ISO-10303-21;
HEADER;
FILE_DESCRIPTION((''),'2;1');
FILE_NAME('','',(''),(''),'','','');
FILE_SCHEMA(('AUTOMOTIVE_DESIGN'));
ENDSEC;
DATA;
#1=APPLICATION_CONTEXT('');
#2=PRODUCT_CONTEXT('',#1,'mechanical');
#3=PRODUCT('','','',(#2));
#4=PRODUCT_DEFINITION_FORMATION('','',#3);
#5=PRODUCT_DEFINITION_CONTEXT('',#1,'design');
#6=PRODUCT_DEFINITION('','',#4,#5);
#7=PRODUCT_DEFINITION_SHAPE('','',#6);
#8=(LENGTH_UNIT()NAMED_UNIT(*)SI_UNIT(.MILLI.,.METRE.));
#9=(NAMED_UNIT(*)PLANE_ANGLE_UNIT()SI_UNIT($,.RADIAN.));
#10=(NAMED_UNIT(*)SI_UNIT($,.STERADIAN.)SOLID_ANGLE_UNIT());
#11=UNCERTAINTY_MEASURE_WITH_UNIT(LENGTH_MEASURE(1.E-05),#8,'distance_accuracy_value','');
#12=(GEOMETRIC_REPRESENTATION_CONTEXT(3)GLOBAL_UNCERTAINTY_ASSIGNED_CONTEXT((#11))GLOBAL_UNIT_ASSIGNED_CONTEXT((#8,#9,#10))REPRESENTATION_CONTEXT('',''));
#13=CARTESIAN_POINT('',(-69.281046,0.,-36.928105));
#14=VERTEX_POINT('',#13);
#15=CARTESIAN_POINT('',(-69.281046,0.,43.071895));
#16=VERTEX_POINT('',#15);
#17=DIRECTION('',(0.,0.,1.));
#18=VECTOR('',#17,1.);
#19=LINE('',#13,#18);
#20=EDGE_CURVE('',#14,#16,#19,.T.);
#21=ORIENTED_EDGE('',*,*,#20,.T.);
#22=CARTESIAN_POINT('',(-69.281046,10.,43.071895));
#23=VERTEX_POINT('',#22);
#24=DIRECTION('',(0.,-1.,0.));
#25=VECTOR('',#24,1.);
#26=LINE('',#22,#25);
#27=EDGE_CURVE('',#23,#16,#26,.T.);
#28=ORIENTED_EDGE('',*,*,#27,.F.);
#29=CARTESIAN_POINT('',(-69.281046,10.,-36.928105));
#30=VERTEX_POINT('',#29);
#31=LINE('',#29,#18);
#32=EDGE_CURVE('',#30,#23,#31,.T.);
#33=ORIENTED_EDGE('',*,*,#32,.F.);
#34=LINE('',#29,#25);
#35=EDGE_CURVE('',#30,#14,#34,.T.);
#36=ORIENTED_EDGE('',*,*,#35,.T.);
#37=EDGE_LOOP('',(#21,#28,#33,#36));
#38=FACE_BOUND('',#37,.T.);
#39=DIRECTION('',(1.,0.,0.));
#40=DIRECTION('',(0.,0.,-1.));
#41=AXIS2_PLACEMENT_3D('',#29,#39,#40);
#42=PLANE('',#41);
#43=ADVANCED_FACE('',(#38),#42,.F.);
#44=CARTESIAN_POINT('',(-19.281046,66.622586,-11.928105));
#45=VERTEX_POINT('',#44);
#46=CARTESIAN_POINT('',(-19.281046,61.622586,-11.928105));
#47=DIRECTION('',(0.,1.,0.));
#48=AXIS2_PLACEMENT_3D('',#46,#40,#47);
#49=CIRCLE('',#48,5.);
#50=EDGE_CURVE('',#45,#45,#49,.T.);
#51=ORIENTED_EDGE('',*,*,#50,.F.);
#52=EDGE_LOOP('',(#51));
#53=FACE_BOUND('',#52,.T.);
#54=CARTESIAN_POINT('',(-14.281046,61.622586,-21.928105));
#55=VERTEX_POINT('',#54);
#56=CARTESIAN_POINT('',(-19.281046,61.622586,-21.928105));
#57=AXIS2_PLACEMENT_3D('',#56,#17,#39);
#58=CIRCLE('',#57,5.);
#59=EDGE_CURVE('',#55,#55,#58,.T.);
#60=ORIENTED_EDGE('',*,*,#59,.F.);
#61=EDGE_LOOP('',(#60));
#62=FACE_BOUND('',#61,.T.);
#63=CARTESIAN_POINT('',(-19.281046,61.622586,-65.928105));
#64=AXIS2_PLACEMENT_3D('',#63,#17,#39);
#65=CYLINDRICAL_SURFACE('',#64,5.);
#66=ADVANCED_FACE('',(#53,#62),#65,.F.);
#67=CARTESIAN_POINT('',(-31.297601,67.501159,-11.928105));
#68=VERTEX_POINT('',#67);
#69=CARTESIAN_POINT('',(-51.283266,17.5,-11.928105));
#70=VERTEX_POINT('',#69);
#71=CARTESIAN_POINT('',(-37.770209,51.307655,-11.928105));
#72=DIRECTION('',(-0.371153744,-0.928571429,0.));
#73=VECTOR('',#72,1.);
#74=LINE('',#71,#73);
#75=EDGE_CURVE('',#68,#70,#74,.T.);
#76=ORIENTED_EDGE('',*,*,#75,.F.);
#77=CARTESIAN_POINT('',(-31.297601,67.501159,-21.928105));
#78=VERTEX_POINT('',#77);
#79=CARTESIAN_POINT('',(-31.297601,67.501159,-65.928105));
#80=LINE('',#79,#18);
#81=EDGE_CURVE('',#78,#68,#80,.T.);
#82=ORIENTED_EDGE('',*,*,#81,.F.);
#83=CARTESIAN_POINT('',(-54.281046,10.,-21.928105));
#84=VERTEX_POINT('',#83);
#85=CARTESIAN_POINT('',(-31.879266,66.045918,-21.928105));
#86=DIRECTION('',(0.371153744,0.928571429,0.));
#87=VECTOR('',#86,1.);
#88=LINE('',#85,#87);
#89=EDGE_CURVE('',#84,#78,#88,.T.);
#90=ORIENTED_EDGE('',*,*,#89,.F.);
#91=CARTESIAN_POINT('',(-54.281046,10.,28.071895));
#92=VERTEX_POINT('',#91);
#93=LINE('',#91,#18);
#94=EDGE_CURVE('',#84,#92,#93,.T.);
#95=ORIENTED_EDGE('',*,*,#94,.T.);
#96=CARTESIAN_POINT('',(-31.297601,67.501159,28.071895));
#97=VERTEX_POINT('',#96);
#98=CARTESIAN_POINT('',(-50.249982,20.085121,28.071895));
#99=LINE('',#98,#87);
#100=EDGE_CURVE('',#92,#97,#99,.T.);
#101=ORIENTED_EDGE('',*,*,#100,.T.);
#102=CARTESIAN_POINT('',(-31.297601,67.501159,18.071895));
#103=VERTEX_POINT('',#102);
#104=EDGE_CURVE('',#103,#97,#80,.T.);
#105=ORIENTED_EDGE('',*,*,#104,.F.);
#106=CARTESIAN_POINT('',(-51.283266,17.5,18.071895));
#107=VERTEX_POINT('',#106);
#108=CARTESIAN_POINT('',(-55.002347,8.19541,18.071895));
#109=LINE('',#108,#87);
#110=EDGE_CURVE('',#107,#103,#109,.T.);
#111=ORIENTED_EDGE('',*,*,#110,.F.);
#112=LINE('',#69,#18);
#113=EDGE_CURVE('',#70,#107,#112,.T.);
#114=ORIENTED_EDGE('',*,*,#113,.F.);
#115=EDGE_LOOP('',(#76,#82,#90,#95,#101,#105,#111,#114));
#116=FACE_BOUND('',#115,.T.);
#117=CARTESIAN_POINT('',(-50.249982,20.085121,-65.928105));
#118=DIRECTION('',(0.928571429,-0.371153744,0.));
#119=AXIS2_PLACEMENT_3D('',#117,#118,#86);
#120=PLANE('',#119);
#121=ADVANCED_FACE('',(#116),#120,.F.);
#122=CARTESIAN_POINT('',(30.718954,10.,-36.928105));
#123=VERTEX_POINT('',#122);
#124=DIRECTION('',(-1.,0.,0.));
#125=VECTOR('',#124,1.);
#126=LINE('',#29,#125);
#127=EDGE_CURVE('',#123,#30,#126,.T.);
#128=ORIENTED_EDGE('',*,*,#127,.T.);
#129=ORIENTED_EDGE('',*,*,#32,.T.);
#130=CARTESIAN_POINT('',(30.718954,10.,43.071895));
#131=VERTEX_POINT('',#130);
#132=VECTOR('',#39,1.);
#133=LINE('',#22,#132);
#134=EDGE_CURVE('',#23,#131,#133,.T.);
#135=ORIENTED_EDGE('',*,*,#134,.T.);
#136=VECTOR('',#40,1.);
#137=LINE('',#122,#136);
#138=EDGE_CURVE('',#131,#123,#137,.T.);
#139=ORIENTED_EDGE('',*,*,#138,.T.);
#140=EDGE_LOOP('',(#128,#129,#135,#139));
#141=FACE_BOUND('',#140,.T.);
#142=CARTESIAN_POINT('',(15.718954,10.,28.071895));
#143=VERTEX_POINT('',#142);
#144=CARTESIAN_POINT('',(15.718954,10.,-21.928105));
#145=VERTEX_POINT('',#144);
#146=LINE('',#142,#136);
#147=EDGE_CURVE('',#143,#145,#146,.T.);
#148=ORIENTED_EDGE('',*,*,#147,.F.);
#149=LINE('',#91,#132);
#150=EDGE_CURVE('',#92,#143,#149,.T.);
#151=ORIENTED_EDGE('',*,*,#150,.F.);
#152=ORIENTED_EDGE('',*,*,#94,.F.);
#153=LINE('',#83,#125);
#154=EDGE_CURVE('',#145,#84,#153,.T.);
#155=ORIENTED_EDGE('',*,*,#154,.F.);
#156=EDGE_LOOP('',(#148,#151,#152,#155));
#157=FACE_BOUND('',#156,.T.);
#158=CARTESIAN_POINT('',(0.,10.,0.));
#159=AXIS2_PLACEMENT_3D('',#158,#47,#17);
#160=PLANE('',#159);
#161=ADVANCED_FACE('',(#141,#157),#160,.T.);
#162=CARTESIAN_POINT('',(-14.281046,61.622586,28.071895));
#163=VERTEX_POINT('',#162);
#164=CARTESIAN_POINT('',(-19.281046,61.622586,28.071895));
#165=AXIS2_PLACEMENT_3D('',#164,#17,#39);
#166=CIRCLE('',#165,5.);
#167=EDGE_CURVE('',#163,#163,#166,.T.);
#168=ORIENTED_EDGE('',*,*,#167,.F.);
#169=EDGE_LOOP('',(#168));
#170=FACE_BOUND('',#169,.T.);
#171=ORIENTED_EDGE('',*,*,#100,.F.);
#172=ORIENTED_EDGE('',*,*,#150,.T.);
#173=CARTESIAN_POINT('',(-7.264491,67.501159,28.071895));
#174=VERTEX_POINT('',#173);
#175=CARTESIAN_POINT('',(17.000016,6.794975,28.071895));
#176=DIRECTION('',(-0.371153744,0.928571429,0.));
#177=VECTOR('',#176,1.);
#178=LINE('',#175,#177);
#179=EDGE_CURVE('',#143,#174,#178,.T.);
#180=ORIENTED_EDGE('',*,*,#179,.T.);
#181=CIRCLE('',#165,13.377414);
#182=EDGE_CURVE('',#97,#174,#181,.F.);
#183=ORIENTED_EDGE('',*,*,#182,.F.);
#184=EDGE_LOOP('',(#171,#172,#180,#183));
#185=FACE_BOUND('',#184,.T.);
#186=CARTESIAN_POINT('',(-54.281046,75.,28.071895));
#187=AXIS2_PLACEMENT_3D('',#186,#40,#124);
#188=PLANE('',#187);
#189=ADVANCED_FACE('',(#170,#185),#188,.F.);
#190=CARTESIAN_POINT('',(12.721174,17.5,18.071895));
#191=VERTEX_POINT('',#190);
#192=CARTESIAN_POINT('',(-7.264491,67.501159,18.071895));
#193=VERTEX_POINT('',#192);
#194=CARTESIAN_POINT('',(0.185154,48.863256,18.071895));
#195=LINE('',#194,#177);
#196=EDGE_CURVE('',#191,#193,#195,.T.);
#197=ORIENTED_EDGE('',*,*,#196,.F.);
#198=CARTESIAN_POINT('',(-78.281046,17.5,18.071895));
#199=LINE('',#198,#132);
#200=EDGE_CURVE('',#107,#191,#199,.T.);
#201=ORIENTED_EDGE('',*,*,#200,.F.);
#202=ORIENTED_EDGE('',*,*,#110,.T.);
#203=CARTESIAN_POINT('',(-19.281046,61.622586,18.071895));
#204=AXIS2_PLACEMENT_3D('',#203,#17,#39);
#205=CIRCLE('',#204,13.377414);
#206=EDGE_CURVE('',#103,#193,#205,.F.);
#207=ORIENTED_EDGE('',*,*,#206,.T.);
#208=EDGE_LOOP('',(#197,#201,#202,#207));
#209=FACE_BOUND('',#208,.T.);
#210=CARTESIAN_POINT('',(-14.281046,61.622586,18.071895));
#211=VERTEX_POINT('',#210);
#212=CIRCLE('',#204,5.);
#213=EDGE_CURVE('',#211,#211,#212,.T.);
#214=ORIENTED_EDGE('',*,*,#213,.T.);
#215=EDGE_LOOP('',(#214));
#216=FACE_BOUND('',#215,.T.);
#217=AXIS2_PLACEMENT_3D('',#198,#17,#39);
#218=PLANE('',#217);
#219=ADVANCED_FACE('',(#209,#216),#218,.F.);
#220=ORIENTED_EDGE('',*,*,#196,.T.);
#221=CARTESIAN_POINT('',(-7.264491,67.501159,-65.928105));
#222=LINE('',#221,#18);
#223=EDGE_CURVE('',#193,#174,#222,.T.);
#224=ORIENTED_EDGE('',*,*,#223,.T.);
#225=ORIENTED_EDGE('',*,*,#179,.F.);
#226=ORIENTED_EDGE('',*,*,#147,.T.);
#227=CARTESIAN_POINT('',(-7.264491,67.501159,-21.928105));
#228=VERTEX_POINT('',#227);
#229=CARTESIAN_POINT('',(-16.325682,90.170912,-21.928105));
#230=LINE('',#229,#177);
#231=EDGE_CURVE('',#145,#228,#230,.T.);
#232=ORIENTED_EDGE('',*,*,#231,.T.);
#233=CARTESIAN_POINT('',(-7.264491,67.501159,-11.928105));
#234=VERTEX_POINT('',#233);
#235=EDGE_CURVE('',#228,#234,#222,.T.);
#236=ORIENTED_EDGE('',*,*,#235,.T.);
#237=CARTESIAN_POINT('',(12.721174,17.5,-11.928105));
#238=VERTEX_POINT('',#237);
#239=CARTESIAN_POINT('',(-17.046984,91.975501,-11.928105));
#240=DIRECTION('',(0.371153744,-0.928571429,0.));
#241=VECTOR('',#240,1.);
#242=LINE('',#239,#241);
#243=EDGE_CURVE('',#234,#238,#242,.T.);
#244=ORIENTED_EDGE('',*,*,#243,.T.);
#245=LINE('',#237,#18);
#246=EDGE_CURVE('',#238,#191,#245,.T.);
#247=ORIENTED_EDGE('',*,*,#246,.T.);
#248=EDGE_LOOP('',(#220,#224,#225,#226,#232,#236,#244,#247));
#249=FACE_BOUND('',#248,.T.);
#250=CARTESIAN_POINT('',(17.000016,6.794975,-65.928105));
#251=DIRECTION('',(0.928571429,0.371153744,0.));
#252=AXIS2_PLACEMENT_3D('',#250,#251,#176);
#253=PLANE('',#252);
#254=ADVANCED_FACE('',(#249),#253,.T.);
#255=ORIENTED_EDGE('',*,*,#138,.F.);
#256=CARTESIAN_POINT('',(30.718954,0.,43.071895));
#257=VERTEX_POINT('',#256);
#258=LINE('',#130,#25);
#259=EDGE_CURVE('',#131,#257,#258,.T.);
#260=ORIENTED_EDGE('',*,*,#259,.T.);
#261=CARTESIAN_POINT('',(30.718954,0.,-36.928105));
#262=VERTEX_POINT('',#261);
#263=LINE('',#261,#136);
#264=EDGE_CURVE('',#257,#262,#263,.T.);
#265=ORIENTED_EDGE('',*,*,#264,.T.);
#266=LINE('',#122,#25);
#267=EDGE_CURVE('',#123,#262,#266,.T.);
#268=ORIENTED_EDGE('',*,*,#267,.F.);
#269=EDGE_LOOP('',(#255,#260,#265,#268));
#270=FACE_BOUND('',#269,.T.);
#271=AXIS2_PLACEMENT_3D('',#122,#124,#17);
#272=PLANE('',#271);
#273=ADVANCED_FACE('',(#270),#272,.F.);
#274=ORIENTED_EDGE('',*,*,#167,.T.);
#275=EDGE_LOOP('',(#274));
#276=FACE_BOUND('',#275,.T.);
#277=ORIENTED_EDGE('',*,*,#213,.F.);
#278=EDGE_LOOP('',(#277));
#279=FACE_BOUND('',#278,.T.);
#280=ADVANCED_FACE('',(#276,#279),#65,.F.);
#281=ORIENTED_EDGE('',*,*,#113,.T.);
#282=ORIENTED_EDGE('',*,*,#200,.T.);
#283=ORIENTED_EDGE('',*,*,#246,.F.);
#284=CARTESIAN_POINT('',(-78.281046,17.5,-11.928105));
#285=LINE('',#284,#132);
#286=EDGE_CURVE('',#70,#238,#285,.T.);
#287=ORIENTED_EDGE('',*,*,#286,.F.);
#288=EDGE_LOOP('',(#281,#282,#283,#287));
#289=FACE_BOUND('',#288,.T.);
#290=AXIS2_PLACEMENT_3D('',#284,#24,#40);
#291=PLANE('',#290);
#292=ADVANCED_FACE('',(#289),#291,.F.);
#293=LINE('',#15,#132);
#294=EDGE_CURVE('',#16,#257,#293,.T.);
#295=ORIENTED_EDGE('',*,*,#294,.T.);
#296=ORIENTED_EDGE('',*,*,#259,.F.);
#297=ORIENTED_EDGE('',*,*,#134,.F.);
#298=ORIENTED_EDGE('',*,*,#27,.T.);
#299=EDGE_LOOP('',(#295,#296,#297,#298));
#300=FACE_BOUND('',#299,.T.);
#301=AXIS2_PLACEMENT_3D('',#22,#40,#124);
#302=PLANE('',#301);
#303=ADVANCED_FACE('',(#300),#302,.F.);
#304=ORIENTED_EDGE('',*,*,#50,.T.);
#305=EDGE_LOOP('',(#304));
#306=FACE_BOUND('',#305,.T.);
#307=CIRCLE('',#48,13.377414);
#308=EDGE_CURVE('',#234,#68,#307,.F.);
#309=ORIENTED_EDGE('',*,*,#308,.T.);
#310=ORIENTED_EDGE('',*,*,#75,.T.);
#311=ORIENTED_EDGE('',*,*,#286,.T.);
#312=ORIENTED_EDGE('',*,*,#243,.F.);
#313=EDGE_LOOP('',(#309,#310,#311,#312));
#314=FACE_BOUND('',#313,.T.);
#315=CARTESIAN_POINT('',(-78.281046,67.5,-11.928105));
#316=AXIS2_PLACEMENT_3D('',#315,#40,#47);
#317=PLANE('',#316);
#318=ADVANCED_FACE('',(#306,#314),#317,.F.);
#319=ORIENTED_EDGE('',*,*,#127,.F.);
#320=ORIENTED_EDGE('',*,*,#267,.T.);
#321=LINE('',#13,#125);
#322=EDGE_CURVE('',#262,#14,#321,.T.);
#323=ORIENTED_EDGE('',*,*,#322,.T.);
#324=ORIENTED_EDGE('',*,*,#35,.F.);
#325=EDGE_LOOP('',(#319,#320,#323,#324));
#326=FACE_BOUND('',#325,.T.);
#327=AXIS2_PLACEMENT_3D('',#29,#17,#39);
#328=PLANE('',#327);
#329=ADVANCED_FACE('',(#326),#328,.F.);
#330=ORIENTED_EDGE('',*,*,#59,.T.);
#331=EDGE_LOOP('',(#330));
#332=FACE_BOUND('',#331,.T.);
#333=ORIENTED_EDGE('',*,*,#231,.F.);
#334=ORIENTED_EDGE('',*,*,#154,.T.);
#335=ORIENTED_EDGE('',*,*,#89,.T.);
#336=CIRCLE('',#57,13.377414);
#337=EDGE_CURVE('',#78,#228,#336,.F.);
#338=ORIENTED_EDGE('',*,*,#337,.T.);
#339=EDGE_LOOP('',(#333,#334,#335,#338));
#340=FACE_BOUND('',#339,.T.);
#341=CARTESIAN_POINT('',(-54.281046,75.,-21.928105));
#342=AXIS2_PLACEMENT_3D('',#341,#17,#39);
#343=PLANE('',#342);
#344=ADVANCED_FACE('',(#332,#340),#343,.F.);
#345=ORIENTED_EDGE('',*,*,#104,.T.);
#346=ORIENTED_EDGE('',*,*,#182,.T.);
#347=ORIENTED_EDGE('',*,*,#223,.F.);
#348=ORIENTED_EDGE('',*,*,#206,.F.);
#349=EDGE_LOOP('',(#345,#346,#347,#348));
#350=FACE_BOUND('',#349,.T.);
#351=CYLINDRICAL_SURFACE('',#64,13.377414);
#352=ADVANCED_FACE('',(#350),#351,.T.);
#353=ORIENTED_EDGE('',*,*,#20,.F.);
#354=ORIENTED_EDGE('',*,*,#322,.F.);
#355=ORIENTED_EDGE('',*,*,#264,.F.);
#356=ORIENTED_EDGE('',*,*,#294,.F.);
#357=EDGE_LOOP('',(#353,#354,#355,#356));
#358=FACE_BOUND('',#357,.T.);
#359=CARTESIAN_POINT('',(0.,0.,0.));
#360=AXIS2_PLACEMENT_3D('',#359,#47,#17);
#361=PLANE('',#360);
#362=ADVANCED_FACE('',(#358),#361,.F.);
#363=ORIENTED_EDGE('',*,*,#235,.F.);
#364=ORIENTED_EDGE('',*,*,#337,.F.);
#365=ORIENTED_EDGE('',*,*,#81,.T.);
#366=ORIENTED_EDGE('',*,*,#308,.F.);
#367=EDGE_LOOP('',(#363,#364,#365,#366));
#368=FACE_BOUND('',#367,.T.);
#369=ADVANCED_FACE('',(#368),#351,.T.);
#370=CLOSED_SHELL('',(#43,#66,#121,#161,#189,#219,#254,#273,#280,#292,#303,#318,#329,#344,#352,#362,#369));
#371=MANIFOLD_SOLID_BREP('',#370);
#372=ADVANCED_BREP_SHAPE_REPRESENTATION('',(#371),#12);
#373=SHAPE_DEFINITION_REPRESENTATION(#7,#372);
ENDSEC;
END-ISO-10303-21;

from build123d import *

# Parameters (mm, degrees)
SKETCH1_W           = 100
SKETCH1_H           = 80
BOSS_EXTRUDE1_DEPTH = 10
SKETCH2_W           = 70
SKETCH2_H           = 50
BOSS_EXTRUDE2_DEPTH = 65
CUT_EXTRUDE2_DEPTH  = 94
SKETCH3_R           = 5
CUT_EXTRUDE4_DEPTH  = 94


with BuildPart() as part:
    # Sketch1 → Boss-Extrude1 (new body)
    with BuildSketch(Plane(origin=(0, 0, 0), x_dir=(1, 0, 0), z_dir=(0, 1, 0))):
        with Locations((-19.281045752, -3.071895425)):
            Rectangle(SKETCH1_W, SKETCH1_H)
    extrude(amount=BOSS_EXTRUDE1_DEPTH)

    # Sketch2 → Boss-Extrude2 (add)
    with BuildSketch(Plane(origin=(0, 10, 0), x_dir=(1, 0, 0), z_dir=(0, 1, 0))):
        with Locations((-19.281045752, -3.071895425)):
            Rectangle(SKETCH2_W, SKETCH2_H)
    extrude(amount=BOSS_EXTRUDE2_DEPTH)

    # Sketch5 → Cut-Extrude2 (cut)
    with BuildSketch(Plane(origin=(15.718954248, 0, 0), x_dir=(0, 0, -1), z_dir=(1, 0, 0))):
        Polygon((11.928104575, 17.5), (-18.071895425, 17.5), (-18.071895425, 67.5), (-18.071895425, 75), (11.928104575, 75), (11.928104575, 67.5), align=None)
    extrude(amount=-CUT_EXTRUDE2_DEPTH, mode=Mode.SUBTRACT)

    # Sketch3 → Cut-Extrude4 (cut)
    with BuildSketch(Plane.XY.offset(28.071895425)):
        Polygon((-54.281045752, 75), (-54.281045752, 10), (-31.2976006, 67.501159063), (-28.300283638, 75), align=None)
        with BuildLine():
            Line((-28.300283638, 75), (-31.2976006, 67.501159063))
            ThreePointArc((-31.2976006, 67.501159063), (-26.363245371, 72.97149148), (-19.281045752, 75))
            Line((-19.281045752, 75), (-28.300283638, 75))
        make_face()
        with BuildLine():
            Line((-10.261807865, 75), (-19.281045752, 75))
            ThreePointArc((-19.281045752, 75), (-12.198846132, 72.97149148), (-7.264490904, 67.501159063))
            Line((-7.264490904, 67.501159063), (-10.261807865, 75))
        make_face()
        Polygon((-10.261807865, 75), (-7.264490904, 67.501159063), (15.718954248, 10), (15.718954248, 75), align=None)
        with Locations((-19.281045752, 61.622585577)):
            Circle(SKETCH3_R)
    extrude(amount=-CUT_EXTRUDE4_DEPTH, mode=Mode.SUBTRACT)


solid = part.part
